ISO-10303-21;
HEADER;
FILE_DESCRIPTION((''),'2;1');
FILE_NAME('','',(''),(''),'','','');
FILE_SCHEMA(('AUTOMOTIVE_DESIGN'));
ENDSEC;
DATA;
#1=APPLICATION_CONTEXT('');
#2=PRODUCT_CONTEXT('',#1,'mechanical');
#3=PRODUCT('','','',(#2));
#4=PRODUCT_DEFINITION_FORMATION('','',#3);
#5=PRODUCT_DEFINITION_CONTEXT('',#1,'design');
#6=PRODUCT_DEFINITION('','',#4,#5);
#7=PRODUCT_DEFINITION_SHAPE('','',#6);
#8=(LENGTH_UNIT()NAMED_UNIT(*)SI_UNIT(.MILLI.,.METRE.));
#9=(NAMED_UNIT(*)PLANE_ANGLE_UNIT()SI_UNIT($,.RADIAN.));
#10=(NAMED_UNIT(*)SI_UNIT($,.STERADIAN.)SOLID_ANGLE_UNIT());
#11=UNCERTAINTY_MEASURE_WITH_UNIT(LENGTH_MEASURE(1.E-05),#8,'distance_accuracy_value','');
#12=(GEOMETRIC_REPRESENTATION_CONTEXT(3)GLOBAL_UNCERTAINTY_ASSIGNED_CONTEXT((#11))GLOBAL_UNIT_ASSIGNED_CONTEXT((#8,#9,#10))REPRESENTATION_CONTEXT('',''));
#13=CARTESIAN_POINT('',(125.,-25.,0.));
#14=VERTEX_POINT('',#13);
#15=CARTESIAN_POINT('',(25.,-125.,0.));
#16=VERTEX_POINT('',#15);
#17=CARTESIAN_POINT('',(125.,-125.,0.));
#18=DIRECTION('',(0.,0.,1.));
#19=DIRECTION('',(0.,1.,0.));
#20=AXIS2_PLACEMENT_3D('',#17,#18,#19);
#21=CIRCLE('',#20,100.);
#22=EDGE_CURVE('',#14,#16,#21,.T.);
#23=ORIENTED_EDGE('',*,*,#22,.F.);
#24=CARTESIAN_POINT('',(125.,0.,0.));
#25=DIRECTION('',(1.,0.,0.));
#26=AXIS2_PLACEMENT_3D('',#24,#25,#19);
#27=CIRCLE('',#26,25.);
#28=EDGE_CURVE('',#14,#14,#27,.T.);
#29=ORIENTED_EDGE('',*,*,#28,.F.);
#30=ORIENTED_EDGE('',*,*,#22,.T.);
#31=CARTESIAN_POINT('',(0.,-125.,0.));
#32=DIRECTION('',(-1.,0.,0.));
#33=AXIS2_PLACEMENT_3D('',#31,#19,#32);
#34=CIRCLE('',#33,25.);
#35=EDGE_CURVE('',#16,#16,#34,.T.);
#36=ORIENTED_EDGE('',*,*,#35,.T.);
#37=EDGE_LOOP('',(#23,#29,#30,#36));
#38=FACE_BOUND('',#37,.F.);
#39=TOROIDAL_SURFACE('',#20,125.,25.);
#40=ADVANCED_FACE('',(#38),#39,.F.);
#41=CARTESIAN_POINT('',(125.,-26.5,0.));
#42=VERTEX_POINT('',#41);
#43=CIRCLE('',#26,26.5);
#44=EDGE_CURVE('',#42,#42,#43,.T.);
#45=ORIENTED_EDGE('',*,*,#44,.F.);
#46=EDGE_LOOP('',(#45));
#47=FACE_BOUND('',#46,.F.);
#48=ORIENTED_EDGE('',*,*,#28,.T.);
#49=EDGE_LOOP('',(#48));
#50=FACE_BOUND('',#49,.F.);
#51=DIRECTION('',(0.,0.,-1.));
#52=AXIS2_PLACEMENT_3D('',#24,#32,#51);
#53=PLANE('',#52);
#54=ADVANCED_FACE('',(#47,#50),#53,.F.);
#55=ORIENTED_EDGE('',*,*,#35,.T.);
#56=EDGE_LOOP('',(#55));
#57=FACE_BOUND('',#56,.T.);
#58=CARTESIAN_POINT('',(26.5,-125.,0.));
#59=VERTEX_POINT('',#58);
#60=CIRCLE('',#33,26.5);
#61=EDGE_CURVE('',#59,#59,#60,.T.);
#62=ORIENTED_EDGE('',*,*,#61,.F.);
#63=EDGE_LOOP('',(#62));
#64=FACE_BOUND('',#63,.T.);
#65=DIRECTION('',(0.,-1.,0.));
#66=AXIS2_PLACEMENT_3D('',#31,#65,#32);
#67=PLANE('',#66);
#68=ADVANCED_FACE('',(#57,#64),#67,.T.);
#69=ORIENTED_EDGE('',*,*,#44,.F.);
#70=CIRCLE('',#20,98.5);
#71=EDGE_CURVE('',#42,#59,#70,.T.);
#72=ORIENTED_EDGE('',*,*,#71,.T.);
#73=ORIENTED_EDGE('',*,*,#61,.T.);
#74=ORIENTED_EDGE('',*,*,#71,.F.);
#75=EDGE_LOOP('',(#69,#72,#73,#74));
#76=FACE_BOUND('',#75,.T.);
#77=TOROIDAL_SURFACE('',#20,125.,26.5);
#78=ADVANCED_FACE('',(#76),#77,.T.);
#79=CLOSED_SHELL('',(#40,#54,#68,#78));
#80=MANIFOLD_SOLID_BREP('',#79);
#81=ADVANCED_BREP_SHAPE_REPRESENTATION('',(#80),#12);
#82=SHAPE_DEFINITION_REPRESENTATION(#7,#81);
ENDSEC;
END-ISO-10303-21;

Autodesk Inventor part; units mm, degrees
ref_plane "YZ Plane" through (0, 0, 0) normal (1, 0, 0) x (0, 1, 0)
ref_plane "XZ Plane" through (0, 0, 0) normal (0, 1, 0) x (-1, 0, 0)
sketch "Szkic6" plane through (0, 0, 0) normal (0, 0, 1) x (1, 0, 0)
  line L0 (-29.6067, 0) -> (35.2678, 0) construction
  line L1 (0, 42.3419) -> (0, -58.3726) construction
  arc A0 (125, 0) -> (0, -125) centre (125, -125) ccw
  line L2 (0, -125) -> (125, -125) construction
  line L3 (125, -125) -> (125, -59.4669) construction
  line L4 (125, 0) -> (125, 0)
  line L5 (0, -125) -> (0, -125)
  point P0 (0, 0)
  dimension "d24" = 125
  dimension "d31" = 90
  dimension "d36" = 0
  dimension "d37" = 0
ref_plane "Płaszczyzna konstrukcyjna2" through (0, -125, 0) normal (0, -1, 0) x (1, 0, 0)
sketch "Szkic8" plane through (0, -125, 0) normal (0, -1, 0) x (1, 0, 0)
  circle A0 centre (0, 0) radius 26.5
  circle A1 centre (0, 0) radius 25
  dimension "d32" = 53
  dimension "d33" = 1.5
sweep "Przeciągnięcie2" add profiles "Szkic8" path "Szkic6"
equation "\"d32\" = OD"
equation "\"d33\" = THK"
equation "\"d24\" = R"
equation "\"d31\" = KAT"
equation "\"SzerokośćGięciaPodcięcia\" = Grubość"
equation "\"RozmiarPodcięciaNarożnika\" = 4 * Grubość"
equation "\"PromieńPrzejścia\" = PromieńGięcia"
equation "\"Rozmiar_promienia_Jacobiego\" = PromieńGięcia"
equation "\"Wielk_odstępu\" = Grubość"
equation "\"d2\" = PromieńGięcia"
equation "\"d23\" = PromieńGięcia"
equation "\"R\" = 125"
equation "\"OD\" = 53"
equation "\"THK\" = 1.5"
equation "\"KAT\" = 90deg"
equation "\"PROSTKA\" = 0"
equation "\"Grubość\" = 1.5"
equation "\"PromieńGięcia\" = 3"
properties part number "Kolano 90° ø53x1,5 R125" material "304L"
